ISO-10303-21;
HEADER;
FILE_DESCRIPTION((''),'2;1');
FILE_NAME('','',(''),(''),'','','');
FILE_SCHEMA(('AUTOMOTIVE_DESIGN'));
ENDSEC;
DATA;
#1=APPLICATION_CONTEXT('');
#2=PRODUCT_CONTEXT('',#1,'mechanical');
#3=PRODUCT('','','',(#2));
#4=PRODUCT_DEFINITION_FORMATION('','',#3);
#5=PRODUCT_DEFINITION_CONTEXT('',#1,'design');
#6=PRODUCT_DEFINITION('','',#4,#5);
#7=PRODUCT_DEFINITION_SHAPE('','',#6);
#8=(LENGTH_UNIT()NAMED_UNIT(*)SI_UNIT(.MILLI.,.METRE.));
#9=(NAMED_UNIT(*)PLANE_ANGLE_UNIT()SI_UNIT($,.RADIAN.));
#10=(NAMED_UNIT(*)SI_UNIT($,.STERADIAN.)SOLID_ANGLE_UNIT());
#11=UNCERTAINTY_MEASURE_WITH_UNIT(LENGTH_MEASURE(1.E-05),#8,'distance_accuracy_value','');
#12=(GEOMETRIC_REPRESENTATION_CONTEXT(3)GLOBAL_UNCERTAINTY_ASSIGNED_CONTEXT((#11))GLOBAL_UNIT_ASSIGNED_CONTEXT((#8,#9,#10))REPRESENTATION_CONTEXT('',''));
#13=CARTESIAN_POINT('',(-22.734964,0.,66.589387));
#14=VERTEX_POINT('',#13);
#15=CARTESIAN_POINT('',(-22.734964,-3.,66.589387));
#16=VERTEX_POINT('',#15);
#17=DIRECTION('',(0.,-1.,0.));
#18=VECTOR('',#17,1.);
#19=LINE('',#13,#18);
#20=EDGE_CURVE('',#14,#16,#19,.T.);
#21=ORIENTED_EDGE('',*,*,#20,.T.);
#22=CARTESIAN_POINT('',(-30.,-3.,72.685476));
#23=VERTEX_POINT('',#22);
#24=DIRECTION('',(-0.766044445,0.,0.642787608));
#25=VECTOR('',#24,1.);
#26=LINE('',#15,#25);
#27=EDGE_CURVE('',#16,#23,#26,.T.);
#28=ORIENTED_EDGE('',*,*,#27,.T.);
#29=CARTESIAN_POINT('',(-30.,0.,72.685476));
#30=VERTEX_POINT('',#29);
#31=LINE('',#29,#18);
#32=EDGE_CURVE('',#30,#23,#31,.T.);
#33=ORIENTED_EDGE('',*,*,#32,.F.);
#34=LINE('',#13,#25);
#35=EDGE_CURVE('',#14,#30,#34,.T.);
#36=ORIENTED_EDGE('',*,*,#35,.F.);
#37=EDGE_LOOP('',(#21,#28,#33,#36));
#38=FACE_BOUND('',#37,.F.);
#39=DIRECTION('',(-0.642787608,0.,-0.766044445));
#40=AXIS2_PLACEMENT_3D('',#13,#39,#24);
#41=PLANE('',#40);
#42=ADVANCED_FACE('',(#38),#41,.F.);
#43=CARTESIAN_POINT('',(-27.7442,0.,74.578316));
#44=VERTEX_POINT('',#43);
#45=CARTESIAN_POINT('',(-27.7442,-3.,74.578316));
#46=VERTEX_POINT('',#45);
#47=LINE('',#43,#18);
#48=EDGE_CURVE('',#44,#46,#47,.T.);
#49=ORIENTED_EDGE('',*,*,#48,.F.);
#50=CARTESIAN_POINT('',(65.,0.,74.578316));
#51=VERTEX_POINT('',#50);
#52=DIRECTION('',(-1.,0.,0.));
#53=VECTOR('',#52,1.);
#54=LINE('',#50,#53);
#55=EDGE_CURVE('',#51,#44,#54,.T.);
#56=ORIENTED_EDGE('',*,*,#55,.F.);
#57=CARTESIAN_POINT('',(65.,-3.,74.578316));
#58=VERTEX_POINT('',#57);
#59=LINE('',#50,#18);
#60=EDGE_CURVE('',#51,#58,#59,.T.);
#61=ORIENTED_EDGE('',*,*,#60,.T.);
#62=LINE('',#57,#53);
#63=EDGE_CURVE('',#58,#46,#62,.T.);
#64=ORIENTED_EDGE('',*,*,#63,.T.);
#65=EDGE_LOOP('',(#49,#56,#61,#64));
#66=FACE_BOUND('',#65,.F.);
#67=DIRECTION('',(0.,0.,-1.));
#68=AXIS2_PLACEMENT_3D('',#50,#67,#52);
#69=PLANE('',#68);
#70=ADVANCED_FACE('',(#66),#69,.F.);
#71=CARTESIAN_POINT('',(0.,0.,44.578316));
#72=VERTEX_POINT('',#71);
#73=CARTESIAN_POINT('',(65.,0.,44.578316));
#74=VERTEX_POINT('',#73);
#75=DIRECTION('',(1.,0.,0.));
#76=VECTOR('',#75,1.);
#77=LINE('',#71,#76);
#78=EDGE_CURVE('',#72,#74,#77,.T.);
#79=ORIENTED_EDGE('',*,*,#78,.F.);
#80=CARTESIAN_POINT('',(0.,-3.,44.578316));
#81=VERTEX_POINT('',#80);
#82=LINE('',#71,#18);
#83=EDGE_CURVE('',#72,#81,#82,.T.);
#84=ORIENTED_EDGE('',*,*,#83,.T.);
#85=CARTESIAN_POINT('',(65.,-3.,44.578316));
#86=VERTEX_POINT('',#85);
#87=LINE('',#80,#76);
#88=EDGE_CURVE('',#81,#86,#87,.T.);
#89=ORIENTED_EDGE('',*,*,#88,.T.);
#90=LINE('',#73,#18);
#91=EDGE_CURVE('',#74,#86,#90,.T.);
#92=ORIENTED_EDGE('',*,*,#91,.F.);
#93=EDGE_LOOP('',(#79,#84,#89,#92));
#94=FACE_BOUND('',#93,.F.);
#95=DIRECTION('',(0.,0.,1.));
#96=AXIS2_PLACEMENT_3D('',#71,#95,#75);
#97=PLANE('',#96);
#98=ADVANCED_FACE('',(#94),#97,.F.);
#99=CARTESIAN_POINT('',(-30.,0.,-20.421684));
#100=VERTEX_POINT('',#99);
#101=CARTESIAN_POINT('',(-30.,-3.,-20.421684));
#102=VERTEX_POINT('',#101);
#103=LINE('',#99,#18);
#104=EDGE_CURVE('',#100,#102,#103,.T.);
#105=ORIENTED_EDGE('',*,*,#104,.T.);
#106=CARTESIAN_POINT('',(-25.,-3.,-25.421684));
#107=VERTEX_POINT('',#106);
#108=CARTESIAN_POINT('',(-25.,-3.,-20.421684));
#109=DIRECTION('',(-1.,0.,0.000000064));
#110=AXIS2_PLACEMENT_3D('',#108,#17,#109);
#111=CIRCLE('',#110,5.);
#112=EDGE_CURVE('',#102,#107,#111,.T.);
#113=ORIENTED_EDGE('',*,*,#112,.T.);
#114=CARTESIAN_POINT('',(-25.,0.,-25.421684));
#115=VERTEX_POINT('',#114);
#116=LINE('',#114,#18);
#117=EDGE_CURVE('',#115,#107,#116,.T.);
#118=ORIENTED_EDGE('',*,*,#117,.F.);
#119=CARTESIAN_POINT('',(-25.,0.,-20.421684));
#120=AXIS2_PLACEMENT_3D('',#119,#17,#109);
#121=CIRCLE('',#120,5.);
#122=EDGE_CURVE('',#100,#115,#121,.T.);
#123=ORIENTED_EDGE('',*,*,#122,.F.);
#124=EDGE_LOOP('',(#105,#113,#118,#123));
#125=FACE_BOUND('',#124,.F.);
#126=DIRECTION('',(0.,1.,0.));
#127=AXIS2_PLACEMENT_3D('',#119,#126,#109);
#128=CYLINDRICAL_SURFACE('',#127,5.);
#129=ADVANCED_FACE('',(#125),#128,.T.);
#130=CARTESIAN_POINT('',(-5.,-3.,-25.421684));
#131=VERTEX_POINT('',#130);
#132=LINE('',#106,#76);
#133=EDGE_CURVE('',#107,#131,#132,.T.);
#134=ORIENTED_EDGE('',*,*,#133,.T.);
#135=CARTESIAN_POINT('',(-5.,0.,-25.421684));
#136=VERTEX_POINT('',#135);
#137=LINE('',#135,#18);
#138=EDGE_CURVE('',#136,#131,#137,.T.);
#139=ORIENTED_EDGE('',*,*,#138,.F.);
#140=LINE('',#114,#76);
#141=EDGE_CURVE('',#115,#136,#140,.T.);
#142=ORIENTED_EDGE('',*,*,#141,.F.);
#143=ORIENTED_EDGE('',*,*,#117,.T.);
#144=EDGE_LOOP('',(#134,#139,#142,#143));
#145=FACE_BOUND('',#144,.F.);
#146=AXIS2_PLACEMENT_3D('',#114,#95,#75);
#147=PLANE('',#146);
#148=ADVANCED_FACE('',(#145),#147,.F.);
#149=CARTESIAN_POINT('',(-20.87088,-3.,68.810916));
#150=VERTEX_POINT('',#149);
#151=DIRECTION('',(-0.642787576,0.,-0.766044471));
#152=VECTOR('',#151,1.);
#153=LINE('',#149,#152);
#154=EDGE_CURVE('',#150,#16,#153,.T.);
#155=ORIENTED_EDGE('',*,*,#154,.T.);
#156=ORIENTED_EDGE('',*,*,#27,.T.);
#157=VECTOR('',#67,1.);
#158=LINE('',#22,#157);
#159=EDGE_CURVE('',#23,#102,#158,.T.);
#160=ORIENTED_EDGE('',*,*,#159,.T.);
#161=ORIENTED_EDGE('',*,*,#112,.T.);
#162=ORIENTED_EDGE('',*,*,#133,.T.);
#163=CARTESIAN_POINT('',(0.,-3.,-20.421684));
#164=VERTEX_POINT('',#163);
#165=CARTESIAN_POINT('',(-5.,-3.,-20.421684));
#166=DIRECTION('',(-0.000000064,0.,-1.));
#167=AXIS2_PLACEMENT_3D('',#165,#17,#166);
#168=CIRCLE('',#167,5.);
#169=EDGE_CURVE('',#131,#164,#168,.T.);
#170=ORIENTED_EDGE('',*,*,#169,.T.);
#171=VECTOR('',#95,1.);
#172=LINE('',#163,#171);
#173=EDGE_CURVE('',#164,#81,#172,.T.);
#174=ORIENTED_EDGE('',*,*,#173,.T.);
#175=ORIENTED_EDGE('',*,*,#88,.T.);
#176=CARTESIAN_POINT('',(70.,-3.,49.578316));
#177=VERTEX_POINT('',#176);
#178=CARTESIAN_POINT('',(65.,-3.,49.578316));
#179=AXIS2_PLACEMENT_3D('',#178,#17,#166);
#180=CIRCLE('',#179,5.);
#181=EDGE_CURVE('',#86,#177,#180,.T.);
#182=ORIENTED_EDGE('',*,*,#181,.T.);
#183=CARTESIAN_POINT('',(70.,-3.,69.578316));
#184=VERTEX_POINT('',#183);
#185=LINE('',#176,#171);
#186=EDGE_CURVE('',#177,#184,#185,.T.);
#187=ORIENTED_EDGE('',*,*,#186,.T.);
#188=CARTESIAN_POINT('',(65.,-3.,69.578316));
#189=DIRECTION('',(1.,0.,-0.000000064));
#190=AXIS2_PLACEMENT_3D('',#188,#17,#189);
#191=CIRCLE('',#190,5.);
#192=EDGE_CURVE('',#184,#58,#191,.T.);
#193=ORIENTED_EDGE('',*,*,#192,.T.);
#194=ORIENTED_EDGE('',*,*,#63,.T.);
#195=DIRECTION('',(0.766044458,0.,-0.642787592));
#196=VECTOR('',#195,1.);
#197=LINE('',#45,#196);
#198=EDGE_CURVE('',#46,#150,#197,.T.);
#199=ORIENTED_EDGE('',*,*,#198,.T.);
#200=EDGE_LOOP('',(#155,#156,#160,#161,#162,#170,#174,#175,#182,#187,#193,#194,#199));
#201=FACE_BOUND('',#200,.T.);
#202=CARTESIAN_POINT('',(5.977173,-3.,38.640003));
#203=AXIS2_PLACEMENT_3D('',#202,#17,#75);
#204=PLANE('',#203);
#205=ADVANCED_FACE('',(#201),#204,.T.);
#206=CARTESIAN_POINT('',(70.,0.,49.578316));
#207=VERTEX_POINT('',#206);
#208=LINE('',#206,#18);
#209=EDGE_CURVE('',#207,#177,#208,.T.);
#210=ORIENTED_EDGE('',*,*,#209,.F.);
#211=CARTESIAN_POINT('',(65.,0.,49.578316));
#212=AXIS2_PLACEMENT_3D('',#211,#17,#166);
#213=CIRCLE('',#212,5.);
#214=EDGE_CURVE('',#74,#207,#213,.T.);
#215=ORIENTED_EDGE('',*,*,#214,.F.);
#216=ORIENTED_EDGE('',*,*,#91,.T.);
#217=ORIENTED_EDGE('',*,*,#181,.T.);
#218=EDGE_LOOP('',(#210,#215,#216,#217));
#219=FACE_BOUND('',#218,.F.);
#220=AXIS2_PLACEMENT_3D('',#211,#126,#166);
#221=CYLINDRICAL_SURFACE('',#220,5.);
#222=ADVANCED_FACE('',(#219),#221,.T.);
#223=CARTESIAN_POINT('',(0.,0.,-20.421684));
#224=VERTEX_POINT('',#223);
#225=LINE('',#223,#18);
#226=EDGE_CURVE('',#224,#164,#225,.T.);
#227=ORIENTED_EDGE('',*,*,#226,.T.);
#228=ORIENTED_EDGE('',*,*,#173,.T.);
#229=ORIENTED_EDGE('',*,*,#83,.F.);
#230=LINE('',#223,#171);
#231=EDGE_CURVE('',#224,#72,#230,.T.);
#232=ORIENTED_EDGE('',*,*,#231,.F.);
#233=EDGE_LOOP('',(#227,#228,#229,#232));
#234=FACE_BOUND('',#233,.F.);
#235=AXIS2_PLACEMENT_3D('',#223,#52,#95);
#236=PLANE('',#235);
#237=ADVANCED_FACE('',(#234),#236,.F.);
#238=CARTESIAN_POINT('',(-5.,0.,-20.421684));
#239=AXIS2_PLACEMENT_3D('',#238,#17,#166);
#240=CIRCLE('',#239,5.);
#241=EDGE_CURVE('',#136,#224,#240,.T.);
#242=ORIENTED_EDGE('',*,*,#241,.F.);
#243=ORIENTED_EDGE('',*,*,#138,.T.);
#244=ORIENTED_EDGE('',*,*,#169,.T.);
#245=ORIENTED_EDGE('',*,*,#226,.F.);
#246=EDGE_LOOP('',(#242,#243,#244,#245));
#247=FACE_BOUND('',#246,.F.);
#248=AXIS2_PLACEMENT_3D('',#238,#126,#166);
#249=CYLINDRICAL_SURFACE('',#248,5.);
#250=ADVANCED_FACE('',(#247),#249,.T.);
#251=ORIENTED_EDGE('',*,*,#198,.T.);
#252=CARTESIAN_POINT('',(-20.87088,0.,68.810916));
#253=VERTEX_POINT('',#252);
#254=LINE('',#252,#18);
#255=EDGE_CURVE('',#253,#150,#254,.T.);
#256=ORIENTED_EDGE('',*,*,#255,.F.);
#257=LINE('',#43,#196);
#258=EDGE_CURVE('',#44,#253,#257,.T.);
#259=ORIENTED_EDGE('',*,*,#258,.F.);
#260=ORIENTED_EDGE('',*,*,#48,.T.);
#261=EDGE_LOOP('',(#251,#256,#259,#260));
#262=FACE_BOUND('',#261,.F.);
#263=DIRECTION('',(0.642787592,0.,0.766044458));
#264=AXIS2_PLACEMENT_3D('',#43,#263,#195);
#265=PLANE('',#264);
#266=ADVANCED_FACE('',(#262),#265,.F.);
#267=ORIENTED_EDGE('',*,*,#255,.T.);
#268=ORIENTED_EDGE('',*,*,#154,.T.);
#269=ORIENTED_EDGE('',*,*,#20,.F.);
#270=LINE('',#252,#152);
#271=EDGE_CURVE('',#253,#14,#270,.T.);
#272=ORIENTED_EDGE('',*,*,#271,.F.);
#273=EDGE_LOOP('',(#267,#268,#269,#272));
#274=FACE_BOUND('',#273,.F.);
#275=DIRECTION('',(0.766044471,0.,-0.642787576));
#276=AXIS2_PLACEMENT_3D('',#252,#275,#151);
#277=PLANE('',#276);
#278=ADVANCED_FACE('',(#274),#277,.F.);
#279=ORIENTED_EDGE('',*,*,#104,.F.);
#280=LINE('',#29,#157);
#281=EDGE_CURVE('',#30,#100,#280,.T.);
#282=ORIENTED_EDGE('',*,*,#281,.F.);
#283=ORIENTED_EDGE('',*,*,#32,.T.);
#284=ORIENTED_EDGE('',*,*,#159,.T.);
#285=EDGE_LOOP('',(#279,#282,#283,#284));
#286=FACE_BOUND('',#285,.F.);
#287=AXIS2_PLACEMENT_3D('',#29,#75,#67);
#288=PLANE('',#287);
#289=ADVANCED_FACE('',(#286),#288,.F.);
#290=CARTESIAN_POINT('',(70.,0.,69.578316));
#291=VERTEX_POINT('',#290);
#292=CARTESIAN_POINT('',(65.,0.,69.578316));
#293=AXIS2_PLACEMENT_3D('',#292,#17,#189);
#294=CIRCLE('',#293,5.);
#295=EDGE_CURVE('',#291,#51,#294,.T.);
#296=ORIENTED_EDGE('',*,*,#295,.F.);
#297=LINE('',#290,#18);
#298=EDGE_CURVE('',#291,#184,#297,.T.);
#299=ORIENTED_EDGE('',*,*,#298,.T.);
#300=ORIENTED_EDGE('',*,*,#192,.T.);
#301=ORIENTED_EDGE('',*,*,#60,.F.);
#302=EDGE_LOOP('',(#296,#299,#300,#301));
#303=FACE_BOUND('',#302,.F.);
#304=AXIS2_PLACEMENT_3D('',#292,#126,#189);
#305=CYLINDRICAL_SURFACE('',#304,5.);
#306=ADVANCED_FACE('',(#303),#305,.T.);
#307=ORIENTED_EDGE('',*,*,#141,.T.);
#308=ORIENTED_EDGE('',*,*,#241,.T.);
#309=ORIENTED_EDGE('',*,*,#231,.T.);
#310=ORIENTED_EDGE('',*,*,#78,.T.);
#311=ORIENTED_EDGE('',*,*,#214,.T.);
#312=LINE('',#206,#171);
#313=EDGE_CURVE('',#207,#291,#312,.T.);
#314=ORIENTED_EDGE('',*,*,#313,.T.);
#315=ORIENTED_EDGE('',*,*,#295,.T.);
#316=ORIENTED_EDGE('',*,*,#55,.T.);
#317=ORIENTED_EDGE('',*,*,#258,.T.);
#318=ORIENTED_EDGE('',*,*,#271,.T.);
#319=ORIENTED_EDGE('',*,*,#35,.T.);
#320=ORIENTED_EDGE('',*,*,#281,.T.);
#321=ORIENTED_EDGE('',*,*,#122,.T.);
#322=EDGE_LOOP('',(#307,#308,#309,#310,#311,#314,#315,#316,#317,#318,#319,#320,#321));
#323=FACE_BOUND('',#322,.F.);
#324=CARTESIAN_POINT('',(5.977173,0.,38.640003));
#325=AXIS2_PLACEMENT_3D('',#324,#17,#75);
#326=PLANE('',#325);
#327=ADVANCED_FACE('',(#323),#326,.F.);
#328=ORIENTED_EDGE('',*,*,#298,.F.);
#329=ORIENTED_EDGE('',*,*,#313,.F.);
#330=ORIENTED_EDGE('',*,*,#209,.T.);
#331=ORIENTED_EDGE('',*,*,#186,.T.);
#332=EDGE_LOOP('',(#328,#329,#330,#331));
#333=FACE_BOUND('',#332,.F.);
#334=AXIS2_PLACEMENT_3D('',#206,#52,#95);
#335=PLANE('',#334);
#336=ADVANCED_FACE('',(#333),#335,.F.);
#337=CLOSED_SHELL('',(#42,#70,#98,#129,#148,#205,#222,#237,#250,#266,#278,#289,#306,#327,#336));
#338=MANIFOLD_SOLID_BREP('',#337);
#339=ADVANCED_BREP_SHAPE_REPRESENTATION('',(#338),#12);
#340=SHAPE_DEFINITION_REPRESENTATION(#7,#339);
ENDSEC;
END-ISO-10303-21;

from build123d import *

# Parameters (mm, degrees)
F1_DEPTH = 3


with BuildPart() as f1:
    # F0 (on Front) → F1 (new body)
    with BuildSketch(Plane.XZ):
        with BuildLine():
            Line((65, 74.578316), (0, 74.578316))
            Line((0, 74.578316), (-27.7442, 74.578316))
            Line((-27.7442, 74.578316), (-20.87088, 68.810916))
            Line((-20.87088, 68.810916), (-22.734964, 66.589387))
            Line((-22.734964, 66.589387), (-30, 72.685476))
            Line((-30, 72.685476), (-30, 44.578316))
            Line((-30, 44.578316), (-30, -20.421684))
            ThreePointArc((-30, -20.421684), (-28.535534, -23.957218), (-25, -25.421684))
            Line((-25, -25.421684), (-5, -25.421684))
            ThreePointArc((-5, -25.421684), (-1.464466, -23.957218), (0, -20.421684))
            Line((0, -20.421684), (0, 44.578316))
            Line((0, 44.578316), (65, 44.578316))
            ThreePointArc((65, 44.578316), (68.535534, 46.042782), (70, 49.578316))
            Line((70, 49.578316), (70, 69.578316))
            ThreePointArc((70, 69.578316), (68.535534, 73.11385), (65, 74.578316))
        make_face()
    extrude(amount=F1_DEPTH)


solid = f1.part
